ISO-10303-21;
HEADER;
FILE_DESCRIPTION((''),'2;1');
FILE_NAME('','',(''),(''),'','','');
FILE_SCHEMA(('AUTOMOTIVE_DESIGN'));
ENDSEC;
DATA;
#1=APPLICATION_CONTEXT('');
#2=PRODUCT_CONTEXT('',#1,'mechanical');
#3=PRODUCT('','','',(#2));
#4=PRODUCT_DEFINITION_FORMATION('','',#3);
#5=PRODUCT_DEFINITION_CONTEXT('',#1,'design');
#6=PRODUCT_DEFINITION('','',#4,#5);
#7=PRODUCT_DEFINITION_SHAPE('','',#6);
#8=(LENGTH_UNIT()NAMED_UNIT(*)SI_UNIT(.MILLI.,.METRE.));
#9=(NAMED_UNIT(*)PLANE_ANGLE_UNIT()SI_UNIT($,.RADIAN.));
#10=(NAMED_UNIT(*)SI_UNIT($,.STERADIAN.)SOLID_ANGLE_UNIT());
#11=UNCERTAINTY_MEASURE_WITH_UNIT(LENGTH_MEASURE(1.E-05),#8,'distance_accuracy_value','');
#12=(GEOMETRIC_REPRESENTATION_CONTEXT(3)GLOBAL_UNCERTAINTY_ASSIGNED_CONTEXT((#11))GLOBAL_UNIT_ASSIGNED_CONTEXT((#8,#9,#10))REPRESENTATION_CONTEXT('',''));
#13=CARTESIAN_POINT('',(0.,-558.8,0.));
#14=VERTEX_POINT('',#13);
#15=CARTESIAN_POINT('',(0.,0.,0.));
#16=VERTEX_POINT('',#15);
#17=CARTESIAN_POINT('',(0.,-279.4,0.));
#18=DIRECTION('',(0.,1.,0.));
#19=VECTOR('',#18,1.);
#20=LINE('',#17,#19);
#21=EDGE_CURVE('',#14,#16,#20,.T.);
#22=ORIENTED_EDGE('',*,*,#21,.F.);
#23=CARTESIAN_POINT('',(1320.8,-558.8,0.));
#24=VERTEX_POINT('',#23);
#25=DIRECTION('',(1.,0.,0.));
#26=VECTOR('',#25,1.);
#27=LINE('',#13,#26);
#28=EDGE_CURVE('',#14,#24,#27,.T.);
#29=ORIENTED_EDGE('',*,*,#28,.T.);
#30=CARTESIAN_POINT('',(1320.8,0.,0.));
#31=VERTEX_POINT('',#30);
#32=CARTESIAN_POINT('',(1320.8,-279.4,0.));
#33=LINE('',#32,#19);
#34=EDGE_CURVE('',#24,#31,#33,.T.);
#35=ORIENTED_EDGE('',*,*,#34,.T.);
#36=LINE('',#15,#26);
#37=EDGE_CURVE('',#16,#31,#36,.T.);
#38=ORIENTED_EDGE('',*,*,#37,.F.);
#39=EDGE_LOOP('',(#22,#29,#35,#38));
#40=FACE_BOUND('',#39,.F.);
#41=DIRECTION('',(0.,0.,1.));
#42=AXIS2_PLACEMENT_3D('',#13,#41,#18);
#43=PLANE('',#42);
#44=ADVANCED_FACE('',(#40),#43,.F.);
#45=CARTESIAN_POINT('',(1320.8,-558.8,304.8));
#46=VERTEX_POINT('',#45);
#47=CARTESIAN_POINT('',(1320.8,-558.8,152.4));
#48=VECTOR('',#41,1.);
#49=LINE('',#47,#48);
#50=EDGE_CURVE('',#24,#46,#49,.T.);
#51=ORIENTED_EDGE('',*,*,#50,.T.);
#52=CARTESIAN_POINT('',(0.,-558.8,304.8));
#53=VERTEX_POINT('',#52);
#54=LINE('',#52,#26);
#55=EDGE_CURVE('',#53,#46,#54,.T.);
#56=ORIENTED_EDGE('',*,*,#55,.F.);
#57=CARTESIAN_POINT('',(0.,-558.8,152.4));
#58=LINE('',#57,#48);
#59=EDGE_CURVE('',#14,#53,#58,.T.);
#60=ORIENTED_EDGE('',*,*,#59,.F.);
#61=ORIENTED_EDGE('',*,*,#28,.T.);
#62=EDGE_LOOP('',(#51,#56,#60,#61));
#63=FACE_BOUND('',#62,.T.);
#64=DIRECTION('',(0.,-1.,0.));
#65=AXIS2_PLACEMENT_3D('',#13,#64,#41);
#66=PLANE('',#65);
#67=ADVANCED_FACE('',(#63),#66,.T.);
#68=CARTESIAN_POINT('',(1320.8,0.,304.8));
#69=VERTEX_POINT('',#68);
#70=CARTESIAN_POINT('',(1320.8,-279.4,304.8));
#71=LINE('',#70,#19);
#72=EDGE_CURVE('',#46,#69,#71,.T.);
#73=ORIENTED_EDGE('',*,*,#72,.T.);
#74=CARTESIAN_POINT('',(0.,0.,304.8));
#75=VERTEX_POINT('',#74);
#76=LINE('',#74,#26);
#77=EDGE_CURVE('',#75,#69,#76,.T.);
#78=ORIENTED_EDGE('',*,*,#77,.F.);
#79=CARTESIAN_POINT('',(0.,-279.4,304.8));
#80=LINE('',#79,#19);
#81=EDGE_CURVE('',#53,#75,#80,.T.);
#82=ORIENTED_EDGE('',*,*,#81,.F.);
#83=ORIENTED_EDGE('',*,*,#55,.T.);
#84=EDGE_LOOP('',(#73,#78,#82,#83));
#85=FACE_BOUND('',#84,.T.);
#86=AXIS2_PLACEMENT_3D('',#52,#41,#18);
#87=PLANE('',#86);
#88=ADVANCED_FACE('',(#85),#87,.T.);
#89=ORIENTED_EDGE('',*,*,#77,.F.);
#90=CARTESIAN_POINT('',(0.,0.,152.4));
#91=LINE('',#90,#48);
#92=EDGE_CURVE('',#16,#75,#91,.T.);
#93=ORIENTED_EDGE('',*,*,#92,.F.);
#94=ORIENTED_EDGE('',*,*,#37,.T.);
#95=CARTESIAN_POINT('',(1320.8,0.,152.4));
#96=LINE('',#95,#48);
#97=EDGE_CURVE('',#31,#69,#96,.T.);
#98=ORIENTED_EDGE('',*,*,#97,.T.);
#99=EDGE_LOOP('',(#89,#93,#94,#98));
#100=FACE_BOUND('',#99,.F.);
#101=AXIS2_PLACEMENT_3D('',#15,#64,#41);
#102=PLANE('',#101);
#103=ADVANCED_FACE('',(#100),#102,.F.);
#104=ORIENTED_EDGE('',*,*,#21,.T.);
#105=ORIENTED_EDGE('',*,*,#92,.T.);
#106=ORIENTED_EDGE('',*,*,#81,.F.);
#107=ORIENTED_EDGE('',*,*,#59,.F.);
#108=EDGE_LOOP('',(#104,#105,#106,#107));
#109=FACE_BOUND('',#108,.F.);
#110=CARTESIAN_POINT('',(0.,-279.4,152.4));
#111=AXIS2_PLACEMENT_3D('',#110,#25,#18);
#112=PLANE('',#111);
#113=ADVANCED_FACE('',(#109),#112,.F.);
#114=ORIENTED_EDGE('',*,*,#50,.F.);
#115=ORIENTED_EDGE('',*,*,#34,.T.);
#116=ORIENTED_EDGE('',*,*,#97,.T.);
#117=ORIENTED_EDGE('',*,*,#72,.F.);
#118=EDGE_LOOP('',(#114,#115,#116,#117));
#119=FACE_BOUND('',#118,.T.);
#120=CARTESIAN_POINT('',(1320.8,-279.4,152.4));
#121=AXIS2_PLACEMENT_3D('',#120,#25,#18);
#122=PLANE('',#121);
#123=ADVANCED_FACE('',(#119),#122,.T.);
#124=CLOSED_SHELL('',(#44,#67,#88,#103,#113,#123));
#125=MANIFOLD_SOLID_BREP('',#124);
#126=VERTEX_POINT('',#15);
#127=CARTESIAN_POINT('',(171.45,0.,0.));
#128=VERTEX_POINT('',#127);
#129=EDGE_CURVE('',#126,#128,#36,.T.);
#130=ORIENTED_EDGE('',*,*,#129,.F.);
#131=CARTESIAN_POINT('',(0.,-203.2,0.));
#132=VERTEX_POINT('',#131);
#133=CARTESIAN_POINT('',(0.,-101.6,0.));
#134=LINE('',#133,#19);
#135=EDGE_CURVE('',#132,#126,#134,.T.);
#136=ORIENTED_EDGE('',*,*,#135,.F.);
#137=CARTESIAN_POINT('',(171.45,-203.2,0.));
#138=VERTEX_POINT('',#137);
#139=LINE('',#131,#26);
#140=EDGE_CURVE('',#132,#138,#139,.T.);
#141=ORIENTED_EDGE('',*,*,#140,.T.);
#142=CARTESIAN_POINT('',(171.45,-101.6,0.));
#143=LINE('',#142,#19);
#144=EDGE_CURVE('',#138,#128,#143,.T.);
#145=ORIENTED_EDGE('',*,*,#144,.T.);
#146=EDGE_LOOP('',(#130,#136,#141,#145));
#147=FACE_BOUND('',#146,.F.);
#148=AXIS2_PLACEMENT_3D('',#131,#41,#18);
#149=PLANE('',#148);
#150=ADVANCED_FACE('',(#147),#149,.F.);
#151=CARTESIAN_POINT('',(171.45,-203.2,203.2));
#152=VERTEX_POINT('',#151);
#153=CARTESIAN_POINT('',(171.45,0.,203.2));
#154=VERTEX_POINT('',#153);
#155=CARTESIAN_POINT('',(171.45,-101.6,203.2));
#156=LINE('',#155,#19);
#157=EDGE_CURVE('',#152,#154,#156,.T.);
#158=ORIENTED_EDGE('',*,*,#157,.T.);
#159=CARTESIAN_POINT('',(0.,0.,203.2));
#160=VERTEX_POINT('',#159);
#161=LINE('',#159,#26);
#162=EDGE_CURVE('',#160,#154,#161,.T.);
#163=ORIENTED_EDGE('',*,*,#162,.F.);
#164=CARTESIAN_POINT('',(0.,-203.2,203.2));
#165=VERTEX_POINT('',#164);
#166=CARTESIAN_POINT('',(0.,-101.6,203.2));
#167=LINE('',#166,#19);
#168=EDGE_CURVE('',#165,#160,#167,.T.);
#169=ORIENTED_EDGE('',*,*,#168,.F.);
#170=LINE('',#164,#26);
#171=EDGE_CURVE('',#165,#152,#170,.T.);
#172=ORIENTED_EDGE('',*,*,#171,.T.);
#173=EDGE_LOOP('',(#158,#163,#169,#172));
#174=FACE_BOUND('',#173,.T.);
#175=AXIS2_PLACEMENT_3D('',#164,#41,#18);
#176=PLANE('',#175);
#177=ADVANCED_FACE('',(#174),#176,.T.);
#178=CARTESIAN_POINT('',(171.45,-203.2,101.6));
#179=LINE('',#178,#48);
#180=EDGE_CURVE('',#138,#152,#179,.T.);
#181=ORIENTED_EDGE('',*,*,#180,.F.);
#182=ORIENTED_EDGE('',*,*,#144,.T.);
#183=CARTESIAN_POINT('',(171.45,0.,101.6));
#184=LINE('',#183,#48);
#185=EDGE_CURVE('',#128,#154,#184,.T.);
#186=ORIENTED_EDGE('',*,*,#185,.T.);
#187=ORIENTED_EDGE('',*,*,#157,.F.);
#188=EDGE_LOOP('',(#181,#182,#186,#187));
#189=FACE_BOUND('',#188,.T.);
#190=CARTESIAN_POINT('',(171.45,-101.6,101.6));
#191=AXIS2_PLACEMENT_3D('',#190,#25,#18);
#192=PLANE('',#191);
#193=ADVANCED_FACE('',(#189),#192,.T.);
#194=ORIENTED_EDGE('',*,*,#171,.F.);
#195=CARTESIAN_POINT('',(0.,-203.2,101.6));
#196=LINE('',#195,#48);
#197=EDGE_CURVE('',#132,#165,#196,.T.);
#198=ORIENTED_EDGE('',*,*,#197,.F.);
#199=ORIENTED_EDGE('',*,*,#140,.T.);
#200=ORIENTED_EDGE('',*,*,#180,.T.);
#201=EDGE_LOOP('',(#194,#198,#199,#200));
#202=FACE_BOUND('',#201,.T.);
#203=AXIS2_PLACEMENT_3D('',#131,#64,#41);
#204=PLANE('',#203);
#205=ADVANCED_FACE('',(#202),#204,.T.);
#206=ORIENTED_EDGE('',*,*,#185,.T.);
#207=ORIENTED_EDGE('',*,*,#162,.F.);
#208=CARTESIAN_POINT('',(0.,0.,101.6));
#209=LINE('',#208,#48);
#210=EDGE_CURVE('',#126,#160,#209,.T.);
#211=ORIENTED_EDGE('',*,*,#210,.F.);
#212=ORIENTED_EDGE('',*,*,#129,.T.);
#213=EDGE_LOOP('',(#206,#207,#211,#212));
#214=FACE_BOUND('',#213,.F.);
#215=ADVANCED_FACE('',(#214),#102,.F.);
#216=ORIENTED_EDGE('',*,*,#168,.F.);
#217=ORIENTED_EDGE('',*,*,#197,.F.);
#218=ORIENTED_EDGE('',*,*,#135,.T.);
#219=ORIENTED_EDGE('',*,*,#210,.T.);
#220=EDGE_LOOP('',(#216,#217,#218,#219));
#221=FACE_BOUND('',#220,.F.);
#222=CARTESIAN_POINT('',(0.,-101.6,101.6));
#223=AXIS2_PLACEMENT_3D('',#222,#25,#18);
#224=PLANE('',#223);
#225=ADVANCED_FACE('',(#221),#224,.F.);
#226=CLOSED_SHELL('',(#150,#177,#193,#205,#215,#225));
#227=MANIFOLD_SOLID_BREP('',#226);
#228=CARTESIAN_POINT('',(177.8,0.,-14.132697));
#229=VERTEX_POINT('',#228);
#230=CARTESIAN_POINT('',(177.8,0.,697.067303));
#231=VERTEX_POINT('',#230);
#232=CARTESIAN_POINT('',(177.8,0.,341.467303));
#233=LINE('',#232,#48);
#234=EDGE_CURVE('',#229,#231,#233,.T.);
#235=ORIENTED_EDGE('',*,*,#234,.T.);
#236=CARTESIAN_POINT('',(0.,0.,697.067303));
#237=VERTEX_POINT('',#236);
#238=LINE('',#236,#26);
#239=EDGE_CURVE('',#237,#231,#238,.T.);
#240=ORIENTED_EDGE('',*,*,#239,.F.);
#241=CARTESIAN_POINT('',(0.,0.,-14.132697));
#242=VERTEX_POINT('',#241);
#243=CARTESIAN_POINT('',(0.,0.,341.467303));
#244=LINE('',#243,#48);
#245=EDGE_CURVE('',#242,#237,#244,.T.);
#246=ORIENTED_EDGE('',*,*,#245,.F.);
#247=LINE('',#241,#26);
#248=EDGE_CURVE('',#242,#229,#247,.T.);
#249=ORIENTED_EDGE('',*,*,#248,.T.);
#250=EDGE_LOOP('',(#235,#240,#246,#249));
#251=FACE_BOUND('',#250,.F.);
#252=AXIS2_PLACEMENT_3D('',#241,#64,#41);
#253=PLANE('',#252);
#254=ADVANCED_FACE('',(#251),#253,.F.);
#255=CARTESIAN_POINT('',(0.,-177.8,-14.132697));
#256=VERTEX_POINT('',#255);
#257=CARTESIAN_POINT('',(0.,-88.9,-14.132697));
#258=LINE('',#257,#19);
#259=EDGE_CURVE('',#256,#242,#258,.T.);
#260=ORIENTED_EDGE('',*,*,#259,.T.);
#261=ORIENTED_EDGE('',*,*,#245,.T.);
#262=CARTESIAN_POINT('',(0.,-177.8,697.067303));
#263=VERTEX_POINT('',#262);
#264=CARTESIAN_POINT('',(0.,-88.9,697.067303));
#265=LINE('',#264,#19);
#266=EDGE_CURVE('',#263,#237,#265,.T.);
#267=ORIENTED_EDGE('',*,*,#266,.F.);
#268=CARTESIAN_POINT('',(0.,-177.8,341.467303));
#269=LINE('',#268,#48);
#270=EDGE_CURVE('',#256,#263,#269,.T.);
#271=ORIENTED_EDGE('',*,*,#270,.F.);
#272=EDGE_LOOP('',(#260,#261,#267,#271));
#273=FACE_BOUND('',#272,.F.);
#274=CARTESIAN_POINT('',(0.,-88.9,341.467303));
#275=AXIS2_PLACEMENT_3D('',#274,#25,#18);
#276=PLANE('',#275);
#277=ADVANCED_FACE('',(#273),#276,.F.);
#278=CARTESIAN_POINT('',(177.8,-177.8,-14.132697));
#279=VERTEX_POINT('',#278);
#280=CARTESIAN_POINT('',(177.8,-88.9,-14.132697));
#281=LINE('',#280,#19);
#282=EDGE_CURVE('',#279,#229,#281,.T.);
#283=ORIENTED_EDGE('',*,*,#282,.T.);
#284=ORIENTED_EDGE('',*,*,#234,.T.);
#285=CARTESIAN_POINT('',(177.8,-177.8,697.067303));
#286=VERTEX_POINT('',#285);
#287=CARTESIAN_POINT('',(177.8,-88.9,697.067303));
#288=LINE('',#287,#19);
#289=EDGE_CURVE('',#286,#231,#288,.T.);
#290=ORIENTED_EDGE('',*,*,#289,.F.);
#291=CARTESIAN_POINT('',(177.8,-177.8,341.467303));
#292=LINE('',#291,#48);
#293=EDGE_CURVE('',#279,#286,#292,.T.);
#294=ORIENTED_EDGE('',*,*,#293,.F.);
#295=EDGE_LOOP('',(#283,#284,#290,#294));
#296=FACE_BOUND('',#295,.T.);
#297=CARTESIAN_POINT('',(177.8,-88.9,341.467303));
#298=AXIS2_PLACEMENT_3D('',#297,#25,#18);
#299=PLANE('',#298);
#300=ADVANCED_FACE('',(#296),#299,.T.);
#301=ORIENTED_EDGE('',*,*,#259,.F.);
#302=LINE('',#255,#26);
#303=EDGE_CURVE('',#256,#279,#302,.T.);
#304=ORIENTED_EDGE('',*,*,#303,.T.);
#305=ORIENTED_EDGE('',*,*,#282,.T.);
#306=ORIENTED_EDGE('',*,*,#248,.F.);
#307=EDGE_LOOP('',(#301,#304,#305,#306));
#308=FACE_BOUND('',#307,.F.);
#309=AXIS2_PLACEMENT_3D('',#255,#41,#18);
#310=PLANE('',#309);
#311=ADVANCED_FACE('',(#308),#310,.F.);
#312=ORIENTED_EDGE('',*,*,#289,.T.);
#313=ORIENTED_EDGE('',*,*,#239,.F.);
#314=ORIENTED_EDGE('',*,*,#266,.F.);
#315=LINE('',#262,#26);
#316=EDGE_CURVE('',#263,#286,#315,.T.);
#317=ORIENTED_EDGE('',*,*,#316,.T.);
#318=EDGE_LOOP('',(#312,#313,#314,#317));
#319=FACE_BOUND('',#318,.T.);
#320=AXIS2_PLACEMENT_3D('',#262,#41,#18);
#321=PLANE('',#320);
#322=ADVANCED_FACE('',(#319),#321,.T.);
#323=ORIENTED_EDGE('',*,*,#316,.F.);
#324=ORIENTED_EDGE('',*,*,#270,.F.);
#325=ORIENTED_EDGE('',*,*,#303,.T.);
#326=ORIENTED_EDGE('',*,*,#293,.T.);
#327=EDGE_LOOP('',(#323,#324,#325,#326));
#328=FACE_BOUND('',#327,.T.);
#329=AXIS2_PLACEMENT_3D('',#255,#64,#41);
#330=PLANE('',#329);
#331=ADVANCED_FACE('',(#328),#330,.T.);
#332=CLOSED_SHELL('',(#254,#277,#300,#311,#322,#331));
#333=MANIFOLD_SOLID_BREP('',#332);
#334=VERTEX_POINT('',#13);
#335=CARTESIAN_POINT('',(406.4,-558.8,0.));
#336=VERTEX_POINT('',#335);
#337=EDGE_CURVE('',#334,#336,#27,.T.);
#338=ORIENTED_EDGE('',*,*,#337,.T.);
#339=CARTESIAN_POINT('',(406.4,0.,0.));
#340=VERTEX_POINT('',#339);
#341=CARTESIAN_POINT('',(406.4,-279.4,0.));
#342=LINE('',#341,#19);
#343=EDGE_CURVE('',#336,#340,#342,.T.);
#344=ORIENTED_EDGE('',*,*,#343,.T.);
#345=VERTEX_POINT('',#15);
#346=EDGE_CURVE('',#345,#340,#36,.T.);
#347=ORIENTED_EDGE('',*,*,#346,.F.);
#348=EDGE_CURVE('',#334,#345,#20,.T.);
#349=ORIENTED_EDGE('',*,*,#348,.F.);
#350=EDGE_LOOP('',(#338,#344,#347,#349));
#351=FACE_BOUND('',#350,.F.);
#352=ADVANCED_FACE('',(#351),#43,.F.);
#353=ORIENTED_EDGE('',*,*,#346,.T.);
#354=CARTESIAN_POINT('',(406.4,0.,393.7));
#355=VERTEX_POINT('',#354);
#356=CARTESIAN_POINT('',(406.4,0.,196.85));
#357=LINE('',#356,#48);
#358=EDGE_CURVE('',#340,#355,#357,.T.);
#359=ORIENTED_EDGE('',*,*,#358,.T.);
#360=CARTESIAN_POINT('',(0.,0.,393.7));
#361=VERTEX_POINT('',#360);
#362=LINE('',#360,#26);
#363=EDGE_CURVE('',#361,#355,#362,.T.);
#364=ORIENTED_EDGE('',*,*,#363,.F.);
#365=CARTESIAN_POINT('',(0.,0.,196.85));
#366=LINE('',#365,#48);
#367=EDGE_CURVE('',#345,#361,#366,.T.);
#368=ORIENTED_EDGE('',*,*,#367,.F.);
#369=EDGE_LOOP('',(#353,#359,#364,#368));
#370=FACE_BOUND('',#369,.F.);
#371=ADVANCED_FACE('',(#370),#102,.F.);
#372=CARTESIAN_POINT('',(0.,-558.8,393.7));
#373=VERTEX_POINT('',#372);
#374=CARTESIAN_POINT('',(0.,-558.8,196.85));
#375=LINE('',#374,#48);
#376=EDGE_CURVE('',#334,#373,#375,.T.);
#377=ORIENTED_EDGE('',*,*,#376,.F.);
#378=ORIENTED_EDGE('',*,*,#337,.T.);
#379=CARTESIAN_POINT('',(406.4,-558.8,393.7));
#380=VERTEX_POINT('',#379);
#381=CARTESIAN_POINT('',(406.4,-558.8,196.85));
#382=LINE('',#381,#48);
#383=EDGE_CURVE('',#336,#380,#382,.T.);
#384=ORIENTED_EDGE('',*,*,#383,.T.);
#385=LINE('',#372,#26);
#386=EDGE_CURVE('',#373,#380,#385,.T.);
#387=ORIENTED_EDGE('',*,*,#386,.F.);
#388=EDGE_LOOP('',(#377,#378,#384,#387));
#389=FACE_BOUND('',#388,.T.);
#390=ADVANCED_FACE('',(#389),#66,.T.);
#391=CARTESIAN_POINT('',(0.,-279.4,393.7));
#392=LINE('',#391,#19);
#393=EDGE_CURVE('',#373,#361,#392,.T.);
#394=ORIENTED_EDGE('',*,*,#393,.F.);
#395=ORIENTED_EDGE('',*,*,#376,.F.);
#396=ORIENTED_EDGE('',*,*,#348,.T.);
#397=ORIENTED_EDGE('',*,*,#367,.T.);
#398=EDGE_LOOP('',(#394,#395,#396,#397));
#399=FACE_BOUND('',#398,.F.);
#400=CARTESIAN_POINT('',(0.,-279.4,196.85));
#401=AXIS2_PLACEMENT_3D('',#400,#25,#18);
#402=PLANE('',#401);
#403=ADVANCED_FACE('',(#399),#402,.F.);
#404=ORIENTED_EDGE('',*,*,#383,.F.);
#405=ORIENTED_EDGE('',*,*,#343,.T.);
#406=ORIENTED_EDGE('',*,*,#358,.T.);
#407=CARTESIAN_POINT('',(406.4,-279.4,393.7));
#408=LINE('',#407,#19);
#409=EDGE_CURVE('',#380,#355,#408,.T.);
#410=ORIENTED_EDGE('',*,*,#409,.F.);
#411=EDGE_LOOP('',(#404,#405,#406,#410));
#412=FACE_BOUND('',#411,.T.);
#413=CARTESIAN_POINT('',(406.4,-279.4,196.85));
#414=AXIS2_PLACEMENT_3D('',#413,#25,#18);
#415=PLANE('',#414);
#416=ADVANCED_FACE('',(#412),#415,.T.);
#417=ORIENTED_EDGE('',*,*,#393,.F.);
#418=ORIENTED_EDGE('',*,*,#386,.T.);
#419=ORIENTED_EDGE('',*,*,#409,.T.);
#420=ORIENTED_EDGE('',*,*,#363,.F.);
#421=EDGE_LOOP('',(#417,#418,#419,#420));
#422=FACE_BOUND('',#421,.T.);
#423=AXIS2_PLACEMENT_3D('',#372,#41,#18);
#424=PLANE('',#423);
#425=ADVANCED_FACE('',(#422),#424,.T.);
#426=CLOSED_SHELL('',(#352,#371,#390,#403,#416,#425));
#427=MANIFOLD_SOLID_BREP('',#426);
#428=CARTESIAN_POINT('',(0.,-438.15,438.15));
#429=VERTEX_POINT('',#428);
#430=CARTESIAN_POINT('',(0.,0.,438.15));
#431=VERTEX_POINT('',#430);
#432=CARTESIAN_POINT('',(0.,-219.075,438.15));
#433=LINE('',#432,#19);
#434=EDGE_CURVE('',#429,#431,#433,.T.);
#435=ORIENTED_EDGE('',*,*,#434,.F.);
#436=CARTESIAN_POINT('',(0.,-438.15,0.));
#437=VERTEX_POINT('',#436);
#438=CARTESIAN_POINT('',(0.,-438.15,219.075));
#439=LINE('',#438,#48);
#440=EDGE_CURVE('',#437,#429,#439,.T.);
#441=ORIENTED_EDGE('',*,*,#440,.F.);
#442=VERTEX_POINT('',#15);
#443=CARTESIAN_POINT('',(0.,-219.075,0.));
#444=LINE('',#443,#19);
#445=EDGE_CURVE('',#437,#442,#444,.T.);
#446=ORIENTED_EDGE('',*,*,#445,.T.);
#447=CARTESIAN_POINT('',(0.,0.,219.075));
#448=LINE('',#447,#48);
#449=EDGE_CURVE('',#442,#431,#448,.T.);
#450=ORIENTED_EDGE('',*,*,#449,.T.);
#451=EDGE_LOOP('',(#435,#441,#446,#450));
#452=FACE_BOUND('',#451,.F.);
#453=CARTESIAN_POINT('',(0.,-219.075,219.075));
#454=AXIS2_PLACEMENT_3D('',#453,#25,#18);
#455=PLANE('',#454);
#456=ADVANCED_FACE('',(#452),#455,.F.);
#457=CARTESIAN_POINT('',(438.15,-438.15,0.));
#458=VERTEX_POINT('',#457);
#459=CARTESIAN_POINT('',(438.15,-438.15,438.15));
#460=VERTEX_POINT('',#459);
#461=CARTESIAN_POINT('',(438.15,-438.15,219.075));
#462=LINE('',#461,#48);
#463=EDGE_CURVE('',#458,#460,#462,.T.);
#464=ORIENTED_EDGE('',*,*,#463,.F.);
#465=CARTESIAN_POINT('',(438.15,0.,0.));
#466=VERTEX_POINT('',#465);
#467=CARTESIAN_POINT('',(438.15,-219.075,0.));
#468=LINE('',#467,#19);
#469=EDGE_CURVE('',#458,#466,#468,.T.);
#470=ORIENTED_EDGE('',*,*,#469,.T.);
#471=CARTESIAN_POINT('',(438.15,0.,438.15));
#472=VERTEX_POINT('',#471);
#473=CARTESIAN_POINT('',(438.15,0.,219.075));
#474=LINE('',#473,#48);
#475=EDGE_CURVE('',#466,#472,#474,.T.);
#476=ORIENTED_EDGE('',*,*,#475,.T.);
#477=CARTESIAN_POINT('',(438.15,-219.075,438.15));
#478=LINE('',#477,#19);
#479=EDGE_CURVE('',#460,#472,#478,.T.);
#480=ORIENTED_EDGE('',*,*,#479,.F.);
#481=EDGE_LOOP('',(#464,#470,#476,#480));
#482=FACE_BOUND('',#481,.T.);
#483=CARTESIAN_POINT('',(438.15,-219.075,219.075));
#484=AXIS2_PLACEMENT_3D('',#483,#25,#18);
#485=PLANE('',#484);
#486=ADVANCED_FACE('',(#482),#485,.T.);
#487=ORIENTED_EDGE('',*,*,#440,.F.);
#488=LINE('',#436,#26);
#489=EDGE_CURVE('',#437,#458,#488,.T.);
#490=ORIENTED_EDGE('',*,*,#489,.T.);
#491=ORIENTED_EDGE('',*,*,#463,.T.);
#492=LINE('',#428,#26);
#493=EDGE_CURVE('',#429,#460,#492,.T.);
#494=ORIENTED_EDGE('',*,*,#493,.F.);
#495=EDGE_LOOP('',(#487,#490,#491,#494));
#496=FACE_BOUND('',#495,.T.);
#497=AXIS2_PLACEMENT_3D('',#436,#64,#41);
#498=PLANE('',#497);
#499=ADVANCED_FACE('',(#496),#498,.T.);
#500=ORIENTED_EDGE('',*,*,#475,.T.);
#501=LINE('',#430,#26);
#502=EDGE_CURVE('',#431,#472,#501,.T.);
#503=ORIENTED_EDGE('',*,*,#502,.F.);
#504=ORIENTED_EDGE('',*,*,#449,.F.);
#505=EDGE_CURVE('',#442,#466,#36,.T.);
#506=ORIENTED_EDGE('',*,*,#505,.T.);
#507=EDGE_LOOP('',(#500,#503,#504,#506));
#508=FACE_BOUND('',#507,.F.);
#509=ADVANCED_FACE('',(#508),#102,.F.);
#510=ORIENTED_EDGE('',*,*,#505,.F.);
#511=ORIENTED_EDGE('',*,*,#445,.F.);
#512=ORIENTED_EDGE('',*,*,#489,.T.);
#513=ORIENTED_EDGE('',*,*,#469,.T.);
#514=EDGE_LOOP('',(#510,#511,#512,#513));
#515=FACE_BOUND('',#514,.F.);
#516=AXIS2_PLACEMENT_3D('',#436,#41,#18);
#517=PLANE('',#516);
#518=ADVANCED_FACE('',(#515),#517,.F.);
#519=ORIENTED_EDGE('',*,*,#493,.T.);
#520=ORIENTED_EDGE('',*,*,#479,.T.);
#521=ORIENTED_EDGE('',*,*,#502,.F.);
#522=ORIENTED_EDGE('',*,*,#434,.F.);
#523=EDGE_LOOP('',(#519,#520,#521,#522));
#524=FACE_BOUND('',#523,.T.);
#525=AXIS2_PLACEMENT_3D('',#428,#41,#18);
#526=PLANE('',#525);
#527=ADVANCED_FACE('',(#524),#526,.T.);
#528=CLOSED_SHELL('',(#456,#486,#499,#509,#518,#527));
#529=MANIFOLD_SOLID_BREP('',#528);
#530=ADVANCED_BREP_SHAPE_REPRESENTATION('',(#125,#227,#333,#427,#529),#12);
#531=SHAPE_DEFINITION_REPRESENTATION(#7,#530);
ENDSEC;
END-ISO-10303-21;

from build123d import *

# Parameters (mm, degrees)
F0_W     = 558.8
F0_H     = 393.7
F1_DEPTH = 406.4
F2_W     = 558.8
F2_H     = 304.8
F3_DEPTH = 1320.8
F4_W     = 177.8
F4_H     = 711.2
F5_DEPTH = 177.8
F6_W     = 438.15
F6_H     = 438.15
F7_DEPTH = 438.15
F8_W     = 203.2
F8_H     = 203.2
F9_DEPTH = 171.45


with BuildPart() as f1:
    # F0 (on Right) → F1 (new body)
    with BuildSketch(Plane.YZ):
        with Locations((-279.4, 196.85)):
            Rectangle(F0_W, F0_H)
    extrude(amount=F1_DEPTH)


with BuildPart() as f3:
    # F2 (on Right) → F3 (new body)
    with BuildSketch(Plane.YZ):
        with Locations((-279.4, 152.4)):
            Rectangle(F2_W, F2_H)
    extrude(amount=F3_DEPTH)


with BuildPart() as f5:
    # F4 (on Right) → F5 (new body)
    with BuildSketch(Plane.YZ):
        with Locations((-88.9, 341.467303)):
            Rectangle(F4_W, F4_H)
    extrude(amount=F5_DEPTH)


with BuildPart() as f7:
    # F6 (on Right) → F7 (new body)
    with BuildSketch(Plane.YZ):
        with Locations((-219.075, 219.075)):
            Rectangle(F6_W, F6_H)
    extrude(amount=F7_DEPTH)


with BuildPart() as f9:
    # F8 (on Right) → F9 (new body)
    with BuildSketch(Plane.YZ):
        with Locations((-101.6, 101.6)):
            Rectangle(F8_W, F8_H)
    extrude(amount=F9_DEPTH)


solid = Compound([f1.part, f3.part, f5.part, f7.part, f9.part])
